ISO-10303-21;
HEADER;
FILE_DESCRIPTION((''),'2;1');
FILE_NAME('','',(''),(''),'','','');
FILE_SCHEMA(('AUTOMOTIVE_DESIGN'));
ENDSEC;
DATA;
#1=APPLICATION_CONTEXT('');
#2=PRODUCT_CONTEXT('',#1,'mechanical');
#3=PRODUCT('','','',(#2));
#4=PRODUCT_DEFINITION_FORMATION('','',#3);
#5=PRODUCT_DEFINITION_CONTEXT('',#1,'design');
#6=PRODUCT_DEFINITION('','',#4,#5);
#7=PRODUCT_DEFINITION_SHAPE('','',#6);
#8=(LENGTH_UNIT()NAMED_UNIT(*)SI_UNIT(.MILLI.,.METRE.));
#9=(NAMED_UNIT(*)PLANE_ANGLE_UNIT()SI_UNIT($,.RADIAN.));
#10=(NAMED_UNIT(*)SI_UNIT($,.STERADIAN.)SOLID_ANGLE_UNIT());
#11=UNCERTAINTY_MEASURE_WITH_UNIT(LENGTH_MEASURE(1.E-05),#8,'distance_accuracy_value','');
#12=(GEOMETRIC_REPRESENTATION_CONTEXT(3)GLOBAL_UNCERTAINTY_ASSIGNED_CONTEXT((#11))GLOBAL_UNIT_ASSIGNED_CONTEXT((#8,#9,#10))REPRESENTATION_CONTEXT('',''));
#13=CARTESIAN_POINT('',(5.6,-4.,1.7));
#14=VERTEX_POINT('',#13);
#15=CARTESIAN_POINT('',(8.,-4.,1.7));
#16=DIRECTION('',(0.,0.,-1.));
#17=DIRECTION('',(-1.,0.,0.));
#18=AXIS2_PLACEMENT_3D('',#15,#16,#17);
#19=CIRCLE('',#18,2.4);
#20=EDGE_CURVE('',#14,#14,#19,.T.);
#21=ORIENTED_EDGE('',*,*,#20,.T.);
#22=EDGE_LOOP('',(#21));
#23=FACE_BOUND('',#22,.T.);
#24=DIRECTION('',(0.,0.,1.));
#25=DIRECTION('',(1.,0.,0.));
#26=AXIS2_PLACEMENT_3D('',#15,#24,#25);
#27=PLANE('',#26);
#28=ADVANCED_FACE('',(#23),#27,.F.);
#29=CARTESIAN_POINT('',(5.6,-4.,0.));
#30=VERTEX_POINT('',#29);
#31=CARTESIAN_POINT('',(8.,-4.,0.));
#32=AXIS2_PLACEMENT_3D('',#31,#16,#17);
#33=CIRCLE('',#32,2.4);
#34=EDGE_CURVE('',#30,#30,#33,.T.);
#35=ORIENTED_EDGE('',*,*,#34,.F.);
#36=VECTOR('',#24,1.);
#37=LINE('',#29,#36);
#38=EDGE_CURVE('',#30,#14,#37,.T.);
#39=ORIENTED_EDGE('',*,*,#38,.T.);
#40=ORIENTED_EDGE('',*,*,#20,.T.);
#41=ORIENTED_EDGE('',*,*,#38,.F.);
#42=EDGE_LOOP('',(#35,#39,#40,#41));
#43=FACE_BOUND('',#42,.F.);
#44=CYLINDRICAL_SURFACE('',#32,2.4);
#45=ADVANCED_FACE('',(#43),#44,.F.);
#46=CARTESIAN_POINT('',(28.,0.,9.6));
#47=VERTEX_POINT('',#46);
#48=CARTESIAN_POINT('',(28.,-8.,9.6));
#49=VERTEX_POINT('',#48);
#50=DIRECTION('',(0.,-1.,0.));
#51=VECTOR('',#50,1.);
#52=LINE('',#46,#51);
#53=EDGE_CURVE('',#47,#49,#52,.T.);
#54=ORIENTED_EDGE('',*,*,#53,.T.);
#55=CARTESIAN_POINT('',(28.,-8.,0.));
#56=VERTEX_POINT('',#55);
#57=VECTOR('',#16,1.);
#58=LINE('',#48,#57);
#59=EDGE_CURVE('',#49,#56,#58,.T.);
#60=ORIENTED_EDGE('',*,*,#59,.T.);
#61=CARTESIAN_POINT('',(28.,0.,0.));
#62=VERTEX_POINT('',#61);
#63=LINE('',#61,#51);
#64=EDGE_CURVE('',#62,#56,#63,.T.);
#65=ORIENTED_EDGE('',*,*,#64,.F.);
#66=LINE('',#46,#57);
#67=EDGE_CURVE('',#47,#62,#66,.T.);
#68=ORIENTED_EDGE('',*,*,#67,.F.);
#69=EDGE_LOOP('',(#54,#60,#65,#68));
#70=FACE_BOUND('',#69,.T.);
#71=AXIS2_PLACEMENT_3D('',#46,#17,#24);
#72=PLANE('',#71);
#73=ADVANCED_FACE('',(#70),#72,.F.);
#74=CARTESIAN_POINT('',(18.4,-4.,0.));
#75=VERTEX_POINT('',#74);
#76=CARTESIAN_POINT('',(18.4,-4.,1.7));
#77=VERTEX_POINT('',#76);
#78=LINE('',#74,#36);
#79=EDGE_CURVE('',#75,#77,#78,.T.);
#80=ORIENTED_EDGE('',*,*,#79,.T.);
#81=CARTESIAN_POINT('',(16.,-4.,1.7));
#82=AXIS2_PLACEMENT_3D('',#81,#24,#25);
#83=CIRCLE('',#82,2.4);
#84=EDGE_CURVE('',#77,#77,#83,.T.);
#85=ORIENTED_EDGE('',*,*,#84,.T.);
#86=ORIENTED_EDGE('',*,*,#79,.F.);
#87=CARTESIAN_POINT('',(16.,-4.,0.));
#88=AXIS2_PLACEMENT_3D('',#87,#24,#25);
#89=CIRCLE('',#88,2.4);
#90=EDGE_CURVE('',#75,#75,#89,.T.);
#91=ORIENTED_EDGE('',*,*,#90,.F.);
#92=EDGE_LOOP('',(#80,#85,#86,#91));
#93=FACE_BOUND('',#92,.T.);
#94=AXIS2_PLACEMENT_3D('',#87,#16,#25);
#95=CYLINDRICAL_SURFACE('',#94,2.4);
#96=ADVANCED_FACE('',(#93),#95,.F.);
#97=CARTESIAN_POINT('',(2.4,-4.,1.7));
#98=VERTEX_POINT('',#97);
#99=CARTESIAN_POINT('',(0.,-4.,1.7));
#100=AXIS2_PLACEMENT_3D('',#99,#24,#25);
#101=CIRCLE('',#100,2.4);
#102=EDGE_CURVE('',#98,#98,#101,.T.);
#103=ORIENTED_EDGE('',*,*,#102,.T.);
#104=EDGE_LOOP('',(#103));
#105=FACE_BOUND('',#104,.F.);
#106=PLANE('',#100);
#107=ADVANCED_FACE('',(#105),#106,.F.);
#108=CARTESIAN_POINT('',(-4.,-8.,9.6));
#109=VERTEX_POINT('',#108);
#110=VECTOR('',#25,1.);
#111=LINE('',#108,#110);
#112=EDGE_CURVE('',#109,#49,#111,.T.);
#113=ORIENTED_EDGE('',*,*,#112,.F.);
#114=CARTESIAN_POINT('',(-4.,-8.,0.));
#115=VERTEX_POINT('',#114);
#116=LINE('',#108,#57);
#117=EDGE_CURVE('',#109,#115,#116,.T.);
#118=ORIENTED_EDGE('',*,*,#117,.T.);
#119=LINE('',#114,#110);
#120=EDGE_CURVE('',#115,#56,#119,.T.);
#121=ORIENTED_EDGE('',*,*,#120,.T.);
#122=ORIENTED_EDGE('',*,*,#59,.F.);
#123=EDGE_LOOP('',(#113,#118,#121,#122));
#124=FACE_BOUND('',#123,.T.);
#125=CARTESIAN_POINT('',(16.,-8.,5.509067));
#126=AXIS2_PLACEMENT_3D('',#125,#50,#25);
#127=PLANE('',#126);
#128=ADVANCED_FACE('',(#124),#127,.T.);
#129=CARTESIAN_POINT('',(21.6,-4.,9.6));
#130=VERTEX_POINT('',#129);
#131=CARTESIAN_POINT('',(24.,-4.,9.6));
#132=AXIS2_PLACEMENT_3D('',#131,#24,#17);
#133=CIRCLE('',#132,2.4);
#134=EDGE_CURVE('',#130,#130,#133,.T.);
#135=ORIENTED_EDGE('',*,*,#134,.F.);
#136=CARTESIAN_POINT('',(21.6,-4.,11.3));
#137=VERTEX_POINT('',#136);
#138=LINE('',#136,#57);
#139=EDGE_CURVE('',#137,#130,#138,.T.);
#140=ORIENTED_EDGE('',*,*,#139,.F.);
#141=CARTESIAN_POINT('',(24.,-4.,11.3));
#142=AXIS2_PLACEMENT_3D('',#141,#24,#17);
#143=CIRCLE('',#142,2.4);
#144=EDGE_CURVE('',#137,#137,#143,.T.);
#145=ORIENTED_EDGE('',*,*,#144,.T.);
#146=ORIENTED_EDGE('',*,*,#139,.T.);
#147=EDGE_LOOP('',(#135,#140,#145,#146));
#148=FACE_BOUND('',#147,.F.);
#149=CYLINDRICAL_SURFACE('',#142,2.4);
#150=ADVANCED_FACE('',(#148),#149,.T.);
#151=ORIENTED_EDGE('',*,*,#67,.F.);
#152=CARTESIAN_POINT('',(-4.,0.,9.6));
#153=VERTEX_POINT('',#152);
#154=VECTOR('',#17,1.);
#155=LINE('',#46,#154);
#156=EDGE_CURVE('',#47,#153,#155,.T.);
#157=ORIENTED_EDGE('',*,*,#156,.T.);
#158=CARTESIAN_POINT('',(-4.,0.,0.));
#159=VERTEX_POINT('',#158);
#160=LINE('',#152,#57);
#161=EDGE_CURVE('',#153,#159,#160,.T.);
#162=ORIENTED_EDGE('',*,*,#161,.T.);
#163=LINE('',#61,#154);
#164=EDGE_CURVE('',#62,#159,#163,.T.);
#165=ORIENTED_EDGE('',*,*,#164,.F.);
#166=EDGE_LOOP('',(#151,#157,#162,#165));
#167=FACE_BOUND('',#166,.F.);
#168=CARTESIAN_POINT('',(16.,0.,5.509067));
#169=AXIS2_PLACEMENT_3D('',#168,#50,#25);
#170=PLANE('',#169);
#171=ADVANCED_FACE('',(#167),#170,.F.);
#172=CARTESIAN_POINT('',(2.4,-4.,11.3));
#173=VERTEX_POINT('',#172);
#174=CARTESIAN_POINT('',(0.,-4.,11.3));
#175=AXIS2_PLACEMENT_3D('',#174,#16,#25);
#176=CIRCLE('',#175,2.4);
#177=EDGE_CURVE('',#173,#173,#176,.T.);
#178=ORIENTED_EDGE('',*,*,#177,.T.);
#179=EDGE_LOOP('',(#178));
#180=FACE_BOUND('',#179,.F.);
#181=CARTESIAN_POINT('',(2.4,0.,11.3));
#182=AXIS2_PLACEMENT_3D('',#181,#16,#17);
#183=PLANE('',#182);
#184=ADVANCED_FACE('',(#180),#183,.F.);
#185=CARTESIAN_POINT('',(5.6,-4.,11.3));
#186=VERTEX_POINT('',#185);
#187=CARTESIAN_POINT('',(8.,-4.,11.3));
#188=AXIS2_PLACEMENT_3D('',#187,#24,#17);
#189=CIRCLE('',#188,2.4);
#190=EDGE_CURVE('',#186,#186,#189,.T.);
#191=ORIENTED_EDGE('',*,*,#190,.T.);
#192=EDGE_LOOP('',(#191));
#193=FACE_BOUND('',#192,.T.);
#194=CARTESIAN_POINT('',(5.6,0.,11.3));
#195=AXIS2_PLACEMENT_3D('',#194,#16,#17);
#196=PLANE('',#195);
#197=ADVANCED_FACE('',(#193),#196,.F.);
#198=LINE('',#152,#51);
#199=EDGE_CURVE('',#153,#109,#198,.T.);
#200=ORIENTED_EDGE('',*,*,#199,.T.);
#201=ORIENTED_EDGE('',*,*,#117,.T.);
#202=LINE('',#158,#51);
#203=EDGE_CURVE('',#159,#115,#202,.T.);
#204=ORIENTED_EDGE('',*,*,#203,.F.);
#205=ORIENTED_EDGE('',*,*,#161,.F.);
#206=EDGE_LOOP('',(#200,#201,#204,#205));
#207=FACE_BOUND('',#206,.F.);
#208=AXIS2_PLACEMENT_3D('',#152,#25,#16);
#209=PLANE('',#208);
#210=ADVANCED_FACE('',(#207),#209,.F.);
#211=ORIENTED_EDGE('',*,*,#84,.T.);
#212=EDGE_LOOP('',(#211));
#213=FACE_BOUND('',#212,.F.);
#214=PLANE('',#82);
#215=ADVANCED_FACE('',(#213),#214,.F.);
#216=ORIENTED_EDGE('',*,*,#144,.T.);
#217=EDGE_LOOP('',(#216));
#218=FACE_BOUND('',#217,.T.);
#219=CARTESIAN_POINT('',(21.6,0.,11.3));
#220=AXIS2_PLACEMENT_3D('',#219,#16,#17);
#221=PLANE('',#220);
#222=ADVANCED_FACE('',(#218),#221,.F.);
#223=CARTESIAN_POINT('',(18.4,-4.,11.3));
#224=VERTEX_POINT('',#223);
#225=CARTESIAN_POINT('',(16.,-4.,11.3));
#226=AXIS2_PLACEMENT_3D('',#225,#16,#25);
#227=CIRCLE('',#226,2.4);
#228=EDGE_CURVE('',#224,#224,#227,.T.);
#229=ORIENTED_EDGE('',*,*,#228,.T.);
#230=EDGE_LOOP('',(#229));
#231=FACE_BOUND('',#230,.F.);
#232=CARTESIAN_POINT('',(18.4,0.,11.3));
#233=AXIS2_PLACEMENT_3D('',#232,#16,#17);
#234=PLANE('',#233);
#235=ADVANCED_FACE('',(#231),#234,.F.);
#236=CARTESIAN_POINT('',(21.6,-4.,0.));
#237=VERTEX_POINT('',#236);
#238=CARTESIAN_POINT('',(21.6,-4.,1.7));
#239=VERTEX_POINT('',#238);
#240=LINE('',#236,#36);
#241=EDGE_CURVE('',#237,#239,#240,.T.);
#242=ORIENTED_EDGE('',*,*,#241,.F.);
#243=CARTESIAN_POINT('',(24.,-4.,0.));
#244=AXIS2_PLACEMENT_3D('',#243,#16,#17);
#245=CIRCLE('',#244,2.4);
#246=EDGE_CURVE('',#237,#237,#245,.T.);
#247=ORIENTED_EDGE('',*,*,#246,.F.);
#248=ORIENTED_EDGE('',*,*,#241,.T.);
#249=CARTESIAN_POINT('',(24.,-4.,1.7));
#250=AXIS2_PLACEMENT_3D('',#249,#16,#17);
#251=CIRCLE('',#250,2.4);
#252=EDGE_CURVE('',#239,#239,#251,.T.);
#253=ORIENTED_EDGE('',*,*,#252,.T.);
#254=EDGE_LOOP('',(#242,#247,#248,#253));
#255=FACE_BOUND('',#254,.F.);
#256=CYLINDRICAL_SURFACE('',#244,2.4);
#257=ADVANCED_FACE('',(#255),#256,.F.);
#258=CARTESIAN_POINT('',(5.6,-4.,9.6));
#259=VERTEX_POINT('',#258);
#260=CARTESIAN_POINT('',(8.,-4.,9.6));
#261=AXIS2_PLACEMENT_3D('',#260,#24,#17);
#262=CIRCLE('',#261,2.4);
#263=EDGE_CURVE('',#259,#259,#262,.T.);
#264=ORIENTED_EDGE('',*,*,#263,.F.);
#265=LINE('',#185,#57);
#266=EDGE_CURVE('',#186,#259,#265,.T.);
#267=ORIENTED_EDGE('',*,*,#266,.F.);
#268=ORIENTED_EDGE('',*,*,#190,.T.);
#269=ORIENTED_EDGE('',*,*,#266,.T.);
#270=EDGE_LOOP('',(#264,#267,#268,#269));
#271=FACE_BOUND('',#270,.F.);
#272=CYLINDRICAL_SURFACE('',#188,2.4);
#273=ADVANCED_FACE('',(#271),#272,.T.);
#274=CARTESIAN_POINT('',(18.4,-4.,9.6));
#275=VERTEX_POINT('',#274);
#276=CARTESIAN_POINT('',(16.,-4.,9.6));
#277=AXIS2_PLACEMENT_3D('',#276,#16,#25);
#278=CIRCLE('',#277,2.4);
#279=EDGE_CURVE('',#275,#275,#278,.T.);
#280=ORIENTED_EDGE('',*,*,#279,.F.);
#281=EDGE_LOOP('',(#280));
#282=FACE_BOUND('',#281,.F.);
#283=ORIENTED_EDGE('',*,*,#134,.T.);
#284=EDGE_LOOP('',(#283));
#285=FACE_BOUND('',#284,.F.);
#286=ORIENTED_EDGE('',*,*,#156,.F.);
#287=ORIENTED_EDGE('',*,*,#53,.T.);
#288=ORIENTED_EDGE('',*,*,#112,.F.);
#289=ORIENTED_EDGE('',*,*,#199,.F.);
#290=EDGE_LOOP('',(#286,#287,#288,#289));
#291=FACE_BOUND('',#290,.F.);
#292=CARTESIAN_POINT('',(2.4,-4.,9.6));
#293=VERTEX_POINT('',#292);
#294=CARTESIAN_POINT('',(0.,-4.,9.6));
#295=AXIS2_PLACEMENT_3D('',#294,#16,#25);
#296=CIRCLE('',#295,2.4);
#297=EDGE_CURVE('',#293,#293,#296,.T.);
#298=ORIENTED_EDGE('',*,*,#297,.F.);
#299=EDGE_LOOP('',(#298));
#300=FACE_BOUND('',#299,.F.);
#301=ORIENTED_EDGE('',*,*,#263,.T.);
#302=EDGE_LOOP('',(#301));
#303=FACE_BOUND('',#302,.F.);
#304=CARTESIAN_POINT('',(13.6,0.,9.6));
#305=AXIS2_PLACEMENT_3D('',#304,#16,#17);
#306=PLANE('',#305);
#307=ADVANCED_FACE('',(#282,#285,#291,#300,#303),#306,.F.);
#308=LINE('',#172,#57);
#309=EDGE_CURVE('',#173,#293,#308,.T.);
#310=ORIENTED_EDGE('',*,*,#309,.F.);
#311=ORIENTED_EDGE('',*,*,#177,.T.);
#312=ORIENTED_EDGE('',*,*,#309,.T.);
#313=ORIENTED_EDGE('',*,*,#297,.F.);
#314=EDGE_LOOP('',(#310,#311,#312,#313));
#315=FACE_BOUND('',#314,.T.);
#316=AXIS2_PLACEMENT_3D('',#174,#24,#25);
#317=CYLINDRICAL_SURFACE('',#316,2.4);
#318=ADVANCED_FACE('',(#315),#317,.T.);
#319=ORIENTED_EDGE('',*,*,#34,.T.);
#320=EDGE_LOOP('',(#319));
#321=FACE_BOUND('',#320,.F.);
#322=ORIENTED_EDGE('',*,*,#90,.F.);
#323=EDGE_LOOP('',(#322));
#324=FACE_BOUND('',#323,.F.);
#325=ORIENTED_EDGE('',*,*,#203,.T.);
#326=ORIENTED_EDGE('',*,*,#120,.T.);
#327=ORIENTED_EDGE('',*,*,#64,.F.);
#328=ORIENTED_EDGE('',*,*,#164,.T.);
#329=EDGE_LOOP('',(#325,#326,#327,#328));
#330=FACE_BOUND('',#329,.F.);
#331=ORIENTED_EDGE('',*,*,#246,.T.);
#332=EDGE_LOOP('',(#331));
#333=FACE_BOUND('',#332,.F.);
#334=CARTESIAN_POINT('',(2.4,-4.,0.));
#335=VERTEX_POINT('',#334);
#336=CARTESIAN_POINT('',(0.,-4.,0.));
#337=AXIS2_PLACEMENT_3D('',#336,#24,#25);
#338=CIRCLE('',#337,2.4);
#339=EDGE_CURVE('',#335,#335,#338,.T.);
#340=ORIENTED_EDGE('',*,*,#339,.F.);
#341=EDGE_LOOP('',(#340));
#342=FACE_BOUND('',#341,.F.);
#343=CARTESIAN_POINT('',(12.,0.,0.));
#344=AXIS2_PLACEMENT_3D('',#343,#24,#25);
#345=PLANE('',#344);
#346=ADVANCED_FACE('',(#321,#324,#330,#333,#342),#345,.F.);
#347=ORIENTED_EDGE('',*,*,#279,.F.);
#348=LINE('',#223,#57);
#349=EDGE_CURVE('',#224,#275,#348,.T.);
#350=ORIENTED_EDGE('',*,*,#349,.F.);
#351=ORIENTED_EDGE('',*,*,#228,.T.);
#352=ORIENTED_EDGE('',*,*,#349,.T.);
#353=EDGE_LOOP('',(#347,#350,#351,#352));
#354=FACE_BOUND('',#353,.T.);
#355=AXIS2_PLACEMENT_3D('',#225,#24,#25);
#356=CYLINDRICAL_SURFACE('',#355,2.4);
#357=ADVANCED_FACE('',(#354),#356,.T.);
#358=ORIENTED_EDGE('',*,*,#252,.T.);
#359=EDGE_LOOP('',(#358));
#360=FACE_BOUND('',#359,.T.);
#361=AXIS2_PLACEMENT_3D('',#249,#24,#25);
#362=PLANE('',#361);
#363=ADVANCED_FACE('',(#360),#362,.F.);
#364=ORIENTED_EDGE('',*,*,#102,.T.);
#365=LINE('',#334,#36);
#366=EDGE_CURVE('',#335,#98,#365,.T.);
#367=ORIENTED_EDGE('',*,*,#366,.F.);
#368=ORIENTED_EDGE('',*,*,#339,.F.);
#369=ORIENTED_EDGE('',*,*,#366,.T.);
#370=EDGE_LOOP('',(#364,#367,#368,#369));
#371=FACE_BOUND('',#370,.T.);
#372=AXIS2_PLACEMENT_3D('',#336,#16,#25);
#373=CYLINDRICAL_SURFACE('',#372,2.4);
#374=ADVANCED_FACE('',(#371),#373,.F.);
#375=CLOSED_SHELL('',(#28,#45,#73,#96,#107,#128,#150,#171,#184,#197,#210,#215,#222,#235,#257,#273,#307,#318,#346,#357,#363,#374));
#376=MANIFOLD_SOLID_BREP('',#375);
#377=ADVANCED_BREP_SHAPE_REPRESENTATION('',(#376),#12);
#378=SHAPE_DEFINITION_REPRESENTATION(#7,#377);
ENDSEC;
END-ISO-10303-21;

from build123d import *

# Parameters (mm, degrees)
F1_DEPTH = 8
F3_W     = 8
F3_H     = 8
F3_R     = 2.4
F4_DEPTH = 1.7
F5_R     = 2.4
F6_DEPTH = 1.7


with BuildPart() as f1:
    # F0 (on Front) → F1 (new body)
    with BuildSketch(Plane.XZ):
        Polygon((-2.4, 9.6), (-4, 9.6), (-4, 0), (4, 0), (4, 9.6), (2.4, 9.6), (2.4, 11.3), (-2.4, 11.3), align=None)
    extrude(amount=F1_DEPTH)

    # F3 (on plane+point) → F4 (cut, through all)
    with BuildSketch(Plane.XY.offset(11.3)):
        with Locations((0, -4)):
            Rectangle(F3_W, F3_H)
        with Locations((0, -4)):
            Circle(F3_R, mode=Mode.SUBTRACT)
    extrude(amount=-F4_DEPTH, mode=Mode.SUBTRACT)

    # F5 (on Top) → F6 (cut)
    with BuildSketch(Plane.XY):
        with Locations((0, -4)):
            Circle(F5_R)
    extrude(amount=F6_DEPTH, mode=Mode.SUBTRACT)

    # F8: F1 across plane


with BuildPart() as f1_1:
    add(f1.part)
    add(f1.part.mirror(Plane.YZ.offset(4)))

    # F10: F1 across plane


with BuildPart() as f1_2:
    add(f1_1.part)
    add(f1_1.part.mirror(Plane.YZ.offset(12)))


solid = f1_2.part
